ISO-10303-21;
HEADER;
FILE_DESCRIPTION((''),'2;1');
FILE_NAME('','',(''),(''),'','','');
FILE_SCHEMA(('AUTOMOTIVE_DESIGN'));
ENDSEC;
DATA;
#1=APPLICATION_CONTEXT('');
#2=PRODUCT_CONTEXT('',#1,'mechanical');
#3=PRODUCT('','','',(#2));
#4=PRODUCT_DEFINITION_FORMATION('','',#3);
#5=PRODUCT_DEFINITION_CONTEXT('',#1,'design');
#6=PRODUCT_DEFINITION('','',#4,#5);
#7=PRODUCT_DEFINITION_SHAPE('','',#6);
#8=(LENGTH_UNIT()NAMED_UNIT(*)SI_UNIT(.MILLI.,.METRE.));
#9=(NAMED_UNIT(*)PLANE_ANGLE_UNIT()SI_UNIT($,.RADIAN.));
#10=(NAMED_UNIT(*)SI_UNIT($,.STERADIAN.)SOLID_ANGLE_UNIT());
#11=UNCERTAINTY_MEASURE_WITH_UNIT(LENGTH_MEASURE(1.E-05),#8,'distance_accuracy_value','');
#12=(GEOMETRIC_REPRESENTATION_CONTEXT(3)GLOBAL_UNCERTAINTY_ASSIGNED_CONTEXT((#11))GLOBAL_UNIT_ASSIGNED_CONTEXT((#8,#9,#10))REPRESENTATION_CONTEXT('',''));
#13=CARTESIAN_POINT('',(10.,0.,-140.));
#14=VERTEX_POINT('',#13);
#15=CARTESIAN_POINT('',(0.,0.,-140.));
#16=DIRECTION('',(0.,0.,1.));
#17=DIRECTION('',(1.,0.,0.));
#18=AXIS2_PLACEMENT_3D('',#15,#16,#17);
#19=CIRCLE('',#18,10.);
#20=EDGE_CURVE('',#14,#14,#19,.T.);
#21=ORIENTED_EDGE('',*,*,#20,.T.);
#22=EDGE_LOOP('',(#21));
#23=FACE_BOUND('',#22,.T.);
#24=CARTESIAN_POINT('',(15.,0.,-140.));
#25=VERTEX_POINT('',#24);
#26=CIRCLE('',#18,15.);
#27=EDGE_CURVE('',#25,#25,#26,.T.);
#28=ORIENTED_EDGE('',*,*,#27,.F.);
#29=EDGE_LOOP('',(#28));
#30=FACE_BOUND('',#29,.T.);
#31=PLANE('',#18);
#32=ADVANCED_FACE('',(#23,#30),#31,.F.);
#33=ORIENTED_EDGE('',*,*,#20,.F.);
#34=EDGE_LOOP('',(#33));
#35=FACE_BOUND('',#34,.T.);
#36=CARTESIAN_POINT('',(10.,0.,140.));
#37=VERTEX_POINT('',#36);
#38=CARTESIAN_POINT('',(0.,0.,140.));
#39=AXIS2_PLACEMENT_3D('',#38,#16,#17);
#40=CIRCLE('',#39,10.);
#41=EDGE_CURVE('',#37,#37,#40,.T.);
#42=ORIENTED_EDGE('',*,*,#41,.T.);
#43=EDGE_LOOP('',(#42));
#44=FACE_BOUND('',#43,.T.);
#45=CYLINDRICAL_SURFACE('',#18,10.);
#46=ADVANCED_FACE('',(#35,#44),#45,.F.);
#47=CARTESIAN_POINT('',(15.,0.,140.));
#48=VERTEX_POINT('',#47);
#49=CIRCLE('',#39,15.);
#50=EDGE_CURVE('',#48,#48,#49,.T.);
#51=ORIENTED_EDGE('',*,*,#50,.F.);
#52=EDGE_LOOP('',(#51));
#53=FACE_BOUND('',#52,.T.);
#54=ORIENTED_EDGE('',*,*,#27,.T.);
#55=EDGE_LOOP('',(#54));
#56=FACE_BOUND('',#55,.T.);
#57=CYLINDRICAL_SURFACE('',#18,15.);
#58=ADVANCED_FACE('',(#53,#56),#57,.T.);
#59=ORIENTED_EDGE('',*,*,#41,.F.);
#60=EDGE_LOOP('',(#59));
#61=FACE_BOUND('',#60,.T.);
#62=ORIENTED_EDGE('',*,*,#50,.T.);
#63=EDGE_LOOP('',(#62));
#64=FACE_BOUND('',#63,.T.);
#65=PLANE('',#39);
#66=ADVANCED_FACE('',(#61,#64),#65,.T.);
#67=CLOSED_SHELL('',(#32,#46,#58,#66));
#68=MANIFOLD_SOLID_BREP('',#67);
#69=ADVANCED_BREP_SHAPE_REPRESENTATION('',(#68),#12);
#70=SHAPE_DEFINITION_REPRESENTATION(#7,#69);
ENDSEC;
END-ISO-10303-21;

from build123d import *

# Parameters (mm, degrees)
SKETCH1_R           = 15
SKETCH1_R_2         = 10
BOSS_EXTRUDE1_DEPTH = 140


with BuildPart() as part:
    # Sketch1 → Boss-Extrude1 (new, symmetric)
    with BuildSketch(Plane(origin=(0, 0, 0), x_dir=(0, 1, 0), z_dir=(0, 0, 1))):
        with Locations(Location((0, 0, 0), (0, 0, 270))):
            Circle(SKETCH1_R)
        with Locations(Location((0, 0, 0), (0, 0, 270))):
            Circle(SKETCH1_R_2, mode=Mode.SUBTRACT)
    extrude(amount=BOSS_EXTRUDE1_DEPTH, both=True)


solid = part.part
